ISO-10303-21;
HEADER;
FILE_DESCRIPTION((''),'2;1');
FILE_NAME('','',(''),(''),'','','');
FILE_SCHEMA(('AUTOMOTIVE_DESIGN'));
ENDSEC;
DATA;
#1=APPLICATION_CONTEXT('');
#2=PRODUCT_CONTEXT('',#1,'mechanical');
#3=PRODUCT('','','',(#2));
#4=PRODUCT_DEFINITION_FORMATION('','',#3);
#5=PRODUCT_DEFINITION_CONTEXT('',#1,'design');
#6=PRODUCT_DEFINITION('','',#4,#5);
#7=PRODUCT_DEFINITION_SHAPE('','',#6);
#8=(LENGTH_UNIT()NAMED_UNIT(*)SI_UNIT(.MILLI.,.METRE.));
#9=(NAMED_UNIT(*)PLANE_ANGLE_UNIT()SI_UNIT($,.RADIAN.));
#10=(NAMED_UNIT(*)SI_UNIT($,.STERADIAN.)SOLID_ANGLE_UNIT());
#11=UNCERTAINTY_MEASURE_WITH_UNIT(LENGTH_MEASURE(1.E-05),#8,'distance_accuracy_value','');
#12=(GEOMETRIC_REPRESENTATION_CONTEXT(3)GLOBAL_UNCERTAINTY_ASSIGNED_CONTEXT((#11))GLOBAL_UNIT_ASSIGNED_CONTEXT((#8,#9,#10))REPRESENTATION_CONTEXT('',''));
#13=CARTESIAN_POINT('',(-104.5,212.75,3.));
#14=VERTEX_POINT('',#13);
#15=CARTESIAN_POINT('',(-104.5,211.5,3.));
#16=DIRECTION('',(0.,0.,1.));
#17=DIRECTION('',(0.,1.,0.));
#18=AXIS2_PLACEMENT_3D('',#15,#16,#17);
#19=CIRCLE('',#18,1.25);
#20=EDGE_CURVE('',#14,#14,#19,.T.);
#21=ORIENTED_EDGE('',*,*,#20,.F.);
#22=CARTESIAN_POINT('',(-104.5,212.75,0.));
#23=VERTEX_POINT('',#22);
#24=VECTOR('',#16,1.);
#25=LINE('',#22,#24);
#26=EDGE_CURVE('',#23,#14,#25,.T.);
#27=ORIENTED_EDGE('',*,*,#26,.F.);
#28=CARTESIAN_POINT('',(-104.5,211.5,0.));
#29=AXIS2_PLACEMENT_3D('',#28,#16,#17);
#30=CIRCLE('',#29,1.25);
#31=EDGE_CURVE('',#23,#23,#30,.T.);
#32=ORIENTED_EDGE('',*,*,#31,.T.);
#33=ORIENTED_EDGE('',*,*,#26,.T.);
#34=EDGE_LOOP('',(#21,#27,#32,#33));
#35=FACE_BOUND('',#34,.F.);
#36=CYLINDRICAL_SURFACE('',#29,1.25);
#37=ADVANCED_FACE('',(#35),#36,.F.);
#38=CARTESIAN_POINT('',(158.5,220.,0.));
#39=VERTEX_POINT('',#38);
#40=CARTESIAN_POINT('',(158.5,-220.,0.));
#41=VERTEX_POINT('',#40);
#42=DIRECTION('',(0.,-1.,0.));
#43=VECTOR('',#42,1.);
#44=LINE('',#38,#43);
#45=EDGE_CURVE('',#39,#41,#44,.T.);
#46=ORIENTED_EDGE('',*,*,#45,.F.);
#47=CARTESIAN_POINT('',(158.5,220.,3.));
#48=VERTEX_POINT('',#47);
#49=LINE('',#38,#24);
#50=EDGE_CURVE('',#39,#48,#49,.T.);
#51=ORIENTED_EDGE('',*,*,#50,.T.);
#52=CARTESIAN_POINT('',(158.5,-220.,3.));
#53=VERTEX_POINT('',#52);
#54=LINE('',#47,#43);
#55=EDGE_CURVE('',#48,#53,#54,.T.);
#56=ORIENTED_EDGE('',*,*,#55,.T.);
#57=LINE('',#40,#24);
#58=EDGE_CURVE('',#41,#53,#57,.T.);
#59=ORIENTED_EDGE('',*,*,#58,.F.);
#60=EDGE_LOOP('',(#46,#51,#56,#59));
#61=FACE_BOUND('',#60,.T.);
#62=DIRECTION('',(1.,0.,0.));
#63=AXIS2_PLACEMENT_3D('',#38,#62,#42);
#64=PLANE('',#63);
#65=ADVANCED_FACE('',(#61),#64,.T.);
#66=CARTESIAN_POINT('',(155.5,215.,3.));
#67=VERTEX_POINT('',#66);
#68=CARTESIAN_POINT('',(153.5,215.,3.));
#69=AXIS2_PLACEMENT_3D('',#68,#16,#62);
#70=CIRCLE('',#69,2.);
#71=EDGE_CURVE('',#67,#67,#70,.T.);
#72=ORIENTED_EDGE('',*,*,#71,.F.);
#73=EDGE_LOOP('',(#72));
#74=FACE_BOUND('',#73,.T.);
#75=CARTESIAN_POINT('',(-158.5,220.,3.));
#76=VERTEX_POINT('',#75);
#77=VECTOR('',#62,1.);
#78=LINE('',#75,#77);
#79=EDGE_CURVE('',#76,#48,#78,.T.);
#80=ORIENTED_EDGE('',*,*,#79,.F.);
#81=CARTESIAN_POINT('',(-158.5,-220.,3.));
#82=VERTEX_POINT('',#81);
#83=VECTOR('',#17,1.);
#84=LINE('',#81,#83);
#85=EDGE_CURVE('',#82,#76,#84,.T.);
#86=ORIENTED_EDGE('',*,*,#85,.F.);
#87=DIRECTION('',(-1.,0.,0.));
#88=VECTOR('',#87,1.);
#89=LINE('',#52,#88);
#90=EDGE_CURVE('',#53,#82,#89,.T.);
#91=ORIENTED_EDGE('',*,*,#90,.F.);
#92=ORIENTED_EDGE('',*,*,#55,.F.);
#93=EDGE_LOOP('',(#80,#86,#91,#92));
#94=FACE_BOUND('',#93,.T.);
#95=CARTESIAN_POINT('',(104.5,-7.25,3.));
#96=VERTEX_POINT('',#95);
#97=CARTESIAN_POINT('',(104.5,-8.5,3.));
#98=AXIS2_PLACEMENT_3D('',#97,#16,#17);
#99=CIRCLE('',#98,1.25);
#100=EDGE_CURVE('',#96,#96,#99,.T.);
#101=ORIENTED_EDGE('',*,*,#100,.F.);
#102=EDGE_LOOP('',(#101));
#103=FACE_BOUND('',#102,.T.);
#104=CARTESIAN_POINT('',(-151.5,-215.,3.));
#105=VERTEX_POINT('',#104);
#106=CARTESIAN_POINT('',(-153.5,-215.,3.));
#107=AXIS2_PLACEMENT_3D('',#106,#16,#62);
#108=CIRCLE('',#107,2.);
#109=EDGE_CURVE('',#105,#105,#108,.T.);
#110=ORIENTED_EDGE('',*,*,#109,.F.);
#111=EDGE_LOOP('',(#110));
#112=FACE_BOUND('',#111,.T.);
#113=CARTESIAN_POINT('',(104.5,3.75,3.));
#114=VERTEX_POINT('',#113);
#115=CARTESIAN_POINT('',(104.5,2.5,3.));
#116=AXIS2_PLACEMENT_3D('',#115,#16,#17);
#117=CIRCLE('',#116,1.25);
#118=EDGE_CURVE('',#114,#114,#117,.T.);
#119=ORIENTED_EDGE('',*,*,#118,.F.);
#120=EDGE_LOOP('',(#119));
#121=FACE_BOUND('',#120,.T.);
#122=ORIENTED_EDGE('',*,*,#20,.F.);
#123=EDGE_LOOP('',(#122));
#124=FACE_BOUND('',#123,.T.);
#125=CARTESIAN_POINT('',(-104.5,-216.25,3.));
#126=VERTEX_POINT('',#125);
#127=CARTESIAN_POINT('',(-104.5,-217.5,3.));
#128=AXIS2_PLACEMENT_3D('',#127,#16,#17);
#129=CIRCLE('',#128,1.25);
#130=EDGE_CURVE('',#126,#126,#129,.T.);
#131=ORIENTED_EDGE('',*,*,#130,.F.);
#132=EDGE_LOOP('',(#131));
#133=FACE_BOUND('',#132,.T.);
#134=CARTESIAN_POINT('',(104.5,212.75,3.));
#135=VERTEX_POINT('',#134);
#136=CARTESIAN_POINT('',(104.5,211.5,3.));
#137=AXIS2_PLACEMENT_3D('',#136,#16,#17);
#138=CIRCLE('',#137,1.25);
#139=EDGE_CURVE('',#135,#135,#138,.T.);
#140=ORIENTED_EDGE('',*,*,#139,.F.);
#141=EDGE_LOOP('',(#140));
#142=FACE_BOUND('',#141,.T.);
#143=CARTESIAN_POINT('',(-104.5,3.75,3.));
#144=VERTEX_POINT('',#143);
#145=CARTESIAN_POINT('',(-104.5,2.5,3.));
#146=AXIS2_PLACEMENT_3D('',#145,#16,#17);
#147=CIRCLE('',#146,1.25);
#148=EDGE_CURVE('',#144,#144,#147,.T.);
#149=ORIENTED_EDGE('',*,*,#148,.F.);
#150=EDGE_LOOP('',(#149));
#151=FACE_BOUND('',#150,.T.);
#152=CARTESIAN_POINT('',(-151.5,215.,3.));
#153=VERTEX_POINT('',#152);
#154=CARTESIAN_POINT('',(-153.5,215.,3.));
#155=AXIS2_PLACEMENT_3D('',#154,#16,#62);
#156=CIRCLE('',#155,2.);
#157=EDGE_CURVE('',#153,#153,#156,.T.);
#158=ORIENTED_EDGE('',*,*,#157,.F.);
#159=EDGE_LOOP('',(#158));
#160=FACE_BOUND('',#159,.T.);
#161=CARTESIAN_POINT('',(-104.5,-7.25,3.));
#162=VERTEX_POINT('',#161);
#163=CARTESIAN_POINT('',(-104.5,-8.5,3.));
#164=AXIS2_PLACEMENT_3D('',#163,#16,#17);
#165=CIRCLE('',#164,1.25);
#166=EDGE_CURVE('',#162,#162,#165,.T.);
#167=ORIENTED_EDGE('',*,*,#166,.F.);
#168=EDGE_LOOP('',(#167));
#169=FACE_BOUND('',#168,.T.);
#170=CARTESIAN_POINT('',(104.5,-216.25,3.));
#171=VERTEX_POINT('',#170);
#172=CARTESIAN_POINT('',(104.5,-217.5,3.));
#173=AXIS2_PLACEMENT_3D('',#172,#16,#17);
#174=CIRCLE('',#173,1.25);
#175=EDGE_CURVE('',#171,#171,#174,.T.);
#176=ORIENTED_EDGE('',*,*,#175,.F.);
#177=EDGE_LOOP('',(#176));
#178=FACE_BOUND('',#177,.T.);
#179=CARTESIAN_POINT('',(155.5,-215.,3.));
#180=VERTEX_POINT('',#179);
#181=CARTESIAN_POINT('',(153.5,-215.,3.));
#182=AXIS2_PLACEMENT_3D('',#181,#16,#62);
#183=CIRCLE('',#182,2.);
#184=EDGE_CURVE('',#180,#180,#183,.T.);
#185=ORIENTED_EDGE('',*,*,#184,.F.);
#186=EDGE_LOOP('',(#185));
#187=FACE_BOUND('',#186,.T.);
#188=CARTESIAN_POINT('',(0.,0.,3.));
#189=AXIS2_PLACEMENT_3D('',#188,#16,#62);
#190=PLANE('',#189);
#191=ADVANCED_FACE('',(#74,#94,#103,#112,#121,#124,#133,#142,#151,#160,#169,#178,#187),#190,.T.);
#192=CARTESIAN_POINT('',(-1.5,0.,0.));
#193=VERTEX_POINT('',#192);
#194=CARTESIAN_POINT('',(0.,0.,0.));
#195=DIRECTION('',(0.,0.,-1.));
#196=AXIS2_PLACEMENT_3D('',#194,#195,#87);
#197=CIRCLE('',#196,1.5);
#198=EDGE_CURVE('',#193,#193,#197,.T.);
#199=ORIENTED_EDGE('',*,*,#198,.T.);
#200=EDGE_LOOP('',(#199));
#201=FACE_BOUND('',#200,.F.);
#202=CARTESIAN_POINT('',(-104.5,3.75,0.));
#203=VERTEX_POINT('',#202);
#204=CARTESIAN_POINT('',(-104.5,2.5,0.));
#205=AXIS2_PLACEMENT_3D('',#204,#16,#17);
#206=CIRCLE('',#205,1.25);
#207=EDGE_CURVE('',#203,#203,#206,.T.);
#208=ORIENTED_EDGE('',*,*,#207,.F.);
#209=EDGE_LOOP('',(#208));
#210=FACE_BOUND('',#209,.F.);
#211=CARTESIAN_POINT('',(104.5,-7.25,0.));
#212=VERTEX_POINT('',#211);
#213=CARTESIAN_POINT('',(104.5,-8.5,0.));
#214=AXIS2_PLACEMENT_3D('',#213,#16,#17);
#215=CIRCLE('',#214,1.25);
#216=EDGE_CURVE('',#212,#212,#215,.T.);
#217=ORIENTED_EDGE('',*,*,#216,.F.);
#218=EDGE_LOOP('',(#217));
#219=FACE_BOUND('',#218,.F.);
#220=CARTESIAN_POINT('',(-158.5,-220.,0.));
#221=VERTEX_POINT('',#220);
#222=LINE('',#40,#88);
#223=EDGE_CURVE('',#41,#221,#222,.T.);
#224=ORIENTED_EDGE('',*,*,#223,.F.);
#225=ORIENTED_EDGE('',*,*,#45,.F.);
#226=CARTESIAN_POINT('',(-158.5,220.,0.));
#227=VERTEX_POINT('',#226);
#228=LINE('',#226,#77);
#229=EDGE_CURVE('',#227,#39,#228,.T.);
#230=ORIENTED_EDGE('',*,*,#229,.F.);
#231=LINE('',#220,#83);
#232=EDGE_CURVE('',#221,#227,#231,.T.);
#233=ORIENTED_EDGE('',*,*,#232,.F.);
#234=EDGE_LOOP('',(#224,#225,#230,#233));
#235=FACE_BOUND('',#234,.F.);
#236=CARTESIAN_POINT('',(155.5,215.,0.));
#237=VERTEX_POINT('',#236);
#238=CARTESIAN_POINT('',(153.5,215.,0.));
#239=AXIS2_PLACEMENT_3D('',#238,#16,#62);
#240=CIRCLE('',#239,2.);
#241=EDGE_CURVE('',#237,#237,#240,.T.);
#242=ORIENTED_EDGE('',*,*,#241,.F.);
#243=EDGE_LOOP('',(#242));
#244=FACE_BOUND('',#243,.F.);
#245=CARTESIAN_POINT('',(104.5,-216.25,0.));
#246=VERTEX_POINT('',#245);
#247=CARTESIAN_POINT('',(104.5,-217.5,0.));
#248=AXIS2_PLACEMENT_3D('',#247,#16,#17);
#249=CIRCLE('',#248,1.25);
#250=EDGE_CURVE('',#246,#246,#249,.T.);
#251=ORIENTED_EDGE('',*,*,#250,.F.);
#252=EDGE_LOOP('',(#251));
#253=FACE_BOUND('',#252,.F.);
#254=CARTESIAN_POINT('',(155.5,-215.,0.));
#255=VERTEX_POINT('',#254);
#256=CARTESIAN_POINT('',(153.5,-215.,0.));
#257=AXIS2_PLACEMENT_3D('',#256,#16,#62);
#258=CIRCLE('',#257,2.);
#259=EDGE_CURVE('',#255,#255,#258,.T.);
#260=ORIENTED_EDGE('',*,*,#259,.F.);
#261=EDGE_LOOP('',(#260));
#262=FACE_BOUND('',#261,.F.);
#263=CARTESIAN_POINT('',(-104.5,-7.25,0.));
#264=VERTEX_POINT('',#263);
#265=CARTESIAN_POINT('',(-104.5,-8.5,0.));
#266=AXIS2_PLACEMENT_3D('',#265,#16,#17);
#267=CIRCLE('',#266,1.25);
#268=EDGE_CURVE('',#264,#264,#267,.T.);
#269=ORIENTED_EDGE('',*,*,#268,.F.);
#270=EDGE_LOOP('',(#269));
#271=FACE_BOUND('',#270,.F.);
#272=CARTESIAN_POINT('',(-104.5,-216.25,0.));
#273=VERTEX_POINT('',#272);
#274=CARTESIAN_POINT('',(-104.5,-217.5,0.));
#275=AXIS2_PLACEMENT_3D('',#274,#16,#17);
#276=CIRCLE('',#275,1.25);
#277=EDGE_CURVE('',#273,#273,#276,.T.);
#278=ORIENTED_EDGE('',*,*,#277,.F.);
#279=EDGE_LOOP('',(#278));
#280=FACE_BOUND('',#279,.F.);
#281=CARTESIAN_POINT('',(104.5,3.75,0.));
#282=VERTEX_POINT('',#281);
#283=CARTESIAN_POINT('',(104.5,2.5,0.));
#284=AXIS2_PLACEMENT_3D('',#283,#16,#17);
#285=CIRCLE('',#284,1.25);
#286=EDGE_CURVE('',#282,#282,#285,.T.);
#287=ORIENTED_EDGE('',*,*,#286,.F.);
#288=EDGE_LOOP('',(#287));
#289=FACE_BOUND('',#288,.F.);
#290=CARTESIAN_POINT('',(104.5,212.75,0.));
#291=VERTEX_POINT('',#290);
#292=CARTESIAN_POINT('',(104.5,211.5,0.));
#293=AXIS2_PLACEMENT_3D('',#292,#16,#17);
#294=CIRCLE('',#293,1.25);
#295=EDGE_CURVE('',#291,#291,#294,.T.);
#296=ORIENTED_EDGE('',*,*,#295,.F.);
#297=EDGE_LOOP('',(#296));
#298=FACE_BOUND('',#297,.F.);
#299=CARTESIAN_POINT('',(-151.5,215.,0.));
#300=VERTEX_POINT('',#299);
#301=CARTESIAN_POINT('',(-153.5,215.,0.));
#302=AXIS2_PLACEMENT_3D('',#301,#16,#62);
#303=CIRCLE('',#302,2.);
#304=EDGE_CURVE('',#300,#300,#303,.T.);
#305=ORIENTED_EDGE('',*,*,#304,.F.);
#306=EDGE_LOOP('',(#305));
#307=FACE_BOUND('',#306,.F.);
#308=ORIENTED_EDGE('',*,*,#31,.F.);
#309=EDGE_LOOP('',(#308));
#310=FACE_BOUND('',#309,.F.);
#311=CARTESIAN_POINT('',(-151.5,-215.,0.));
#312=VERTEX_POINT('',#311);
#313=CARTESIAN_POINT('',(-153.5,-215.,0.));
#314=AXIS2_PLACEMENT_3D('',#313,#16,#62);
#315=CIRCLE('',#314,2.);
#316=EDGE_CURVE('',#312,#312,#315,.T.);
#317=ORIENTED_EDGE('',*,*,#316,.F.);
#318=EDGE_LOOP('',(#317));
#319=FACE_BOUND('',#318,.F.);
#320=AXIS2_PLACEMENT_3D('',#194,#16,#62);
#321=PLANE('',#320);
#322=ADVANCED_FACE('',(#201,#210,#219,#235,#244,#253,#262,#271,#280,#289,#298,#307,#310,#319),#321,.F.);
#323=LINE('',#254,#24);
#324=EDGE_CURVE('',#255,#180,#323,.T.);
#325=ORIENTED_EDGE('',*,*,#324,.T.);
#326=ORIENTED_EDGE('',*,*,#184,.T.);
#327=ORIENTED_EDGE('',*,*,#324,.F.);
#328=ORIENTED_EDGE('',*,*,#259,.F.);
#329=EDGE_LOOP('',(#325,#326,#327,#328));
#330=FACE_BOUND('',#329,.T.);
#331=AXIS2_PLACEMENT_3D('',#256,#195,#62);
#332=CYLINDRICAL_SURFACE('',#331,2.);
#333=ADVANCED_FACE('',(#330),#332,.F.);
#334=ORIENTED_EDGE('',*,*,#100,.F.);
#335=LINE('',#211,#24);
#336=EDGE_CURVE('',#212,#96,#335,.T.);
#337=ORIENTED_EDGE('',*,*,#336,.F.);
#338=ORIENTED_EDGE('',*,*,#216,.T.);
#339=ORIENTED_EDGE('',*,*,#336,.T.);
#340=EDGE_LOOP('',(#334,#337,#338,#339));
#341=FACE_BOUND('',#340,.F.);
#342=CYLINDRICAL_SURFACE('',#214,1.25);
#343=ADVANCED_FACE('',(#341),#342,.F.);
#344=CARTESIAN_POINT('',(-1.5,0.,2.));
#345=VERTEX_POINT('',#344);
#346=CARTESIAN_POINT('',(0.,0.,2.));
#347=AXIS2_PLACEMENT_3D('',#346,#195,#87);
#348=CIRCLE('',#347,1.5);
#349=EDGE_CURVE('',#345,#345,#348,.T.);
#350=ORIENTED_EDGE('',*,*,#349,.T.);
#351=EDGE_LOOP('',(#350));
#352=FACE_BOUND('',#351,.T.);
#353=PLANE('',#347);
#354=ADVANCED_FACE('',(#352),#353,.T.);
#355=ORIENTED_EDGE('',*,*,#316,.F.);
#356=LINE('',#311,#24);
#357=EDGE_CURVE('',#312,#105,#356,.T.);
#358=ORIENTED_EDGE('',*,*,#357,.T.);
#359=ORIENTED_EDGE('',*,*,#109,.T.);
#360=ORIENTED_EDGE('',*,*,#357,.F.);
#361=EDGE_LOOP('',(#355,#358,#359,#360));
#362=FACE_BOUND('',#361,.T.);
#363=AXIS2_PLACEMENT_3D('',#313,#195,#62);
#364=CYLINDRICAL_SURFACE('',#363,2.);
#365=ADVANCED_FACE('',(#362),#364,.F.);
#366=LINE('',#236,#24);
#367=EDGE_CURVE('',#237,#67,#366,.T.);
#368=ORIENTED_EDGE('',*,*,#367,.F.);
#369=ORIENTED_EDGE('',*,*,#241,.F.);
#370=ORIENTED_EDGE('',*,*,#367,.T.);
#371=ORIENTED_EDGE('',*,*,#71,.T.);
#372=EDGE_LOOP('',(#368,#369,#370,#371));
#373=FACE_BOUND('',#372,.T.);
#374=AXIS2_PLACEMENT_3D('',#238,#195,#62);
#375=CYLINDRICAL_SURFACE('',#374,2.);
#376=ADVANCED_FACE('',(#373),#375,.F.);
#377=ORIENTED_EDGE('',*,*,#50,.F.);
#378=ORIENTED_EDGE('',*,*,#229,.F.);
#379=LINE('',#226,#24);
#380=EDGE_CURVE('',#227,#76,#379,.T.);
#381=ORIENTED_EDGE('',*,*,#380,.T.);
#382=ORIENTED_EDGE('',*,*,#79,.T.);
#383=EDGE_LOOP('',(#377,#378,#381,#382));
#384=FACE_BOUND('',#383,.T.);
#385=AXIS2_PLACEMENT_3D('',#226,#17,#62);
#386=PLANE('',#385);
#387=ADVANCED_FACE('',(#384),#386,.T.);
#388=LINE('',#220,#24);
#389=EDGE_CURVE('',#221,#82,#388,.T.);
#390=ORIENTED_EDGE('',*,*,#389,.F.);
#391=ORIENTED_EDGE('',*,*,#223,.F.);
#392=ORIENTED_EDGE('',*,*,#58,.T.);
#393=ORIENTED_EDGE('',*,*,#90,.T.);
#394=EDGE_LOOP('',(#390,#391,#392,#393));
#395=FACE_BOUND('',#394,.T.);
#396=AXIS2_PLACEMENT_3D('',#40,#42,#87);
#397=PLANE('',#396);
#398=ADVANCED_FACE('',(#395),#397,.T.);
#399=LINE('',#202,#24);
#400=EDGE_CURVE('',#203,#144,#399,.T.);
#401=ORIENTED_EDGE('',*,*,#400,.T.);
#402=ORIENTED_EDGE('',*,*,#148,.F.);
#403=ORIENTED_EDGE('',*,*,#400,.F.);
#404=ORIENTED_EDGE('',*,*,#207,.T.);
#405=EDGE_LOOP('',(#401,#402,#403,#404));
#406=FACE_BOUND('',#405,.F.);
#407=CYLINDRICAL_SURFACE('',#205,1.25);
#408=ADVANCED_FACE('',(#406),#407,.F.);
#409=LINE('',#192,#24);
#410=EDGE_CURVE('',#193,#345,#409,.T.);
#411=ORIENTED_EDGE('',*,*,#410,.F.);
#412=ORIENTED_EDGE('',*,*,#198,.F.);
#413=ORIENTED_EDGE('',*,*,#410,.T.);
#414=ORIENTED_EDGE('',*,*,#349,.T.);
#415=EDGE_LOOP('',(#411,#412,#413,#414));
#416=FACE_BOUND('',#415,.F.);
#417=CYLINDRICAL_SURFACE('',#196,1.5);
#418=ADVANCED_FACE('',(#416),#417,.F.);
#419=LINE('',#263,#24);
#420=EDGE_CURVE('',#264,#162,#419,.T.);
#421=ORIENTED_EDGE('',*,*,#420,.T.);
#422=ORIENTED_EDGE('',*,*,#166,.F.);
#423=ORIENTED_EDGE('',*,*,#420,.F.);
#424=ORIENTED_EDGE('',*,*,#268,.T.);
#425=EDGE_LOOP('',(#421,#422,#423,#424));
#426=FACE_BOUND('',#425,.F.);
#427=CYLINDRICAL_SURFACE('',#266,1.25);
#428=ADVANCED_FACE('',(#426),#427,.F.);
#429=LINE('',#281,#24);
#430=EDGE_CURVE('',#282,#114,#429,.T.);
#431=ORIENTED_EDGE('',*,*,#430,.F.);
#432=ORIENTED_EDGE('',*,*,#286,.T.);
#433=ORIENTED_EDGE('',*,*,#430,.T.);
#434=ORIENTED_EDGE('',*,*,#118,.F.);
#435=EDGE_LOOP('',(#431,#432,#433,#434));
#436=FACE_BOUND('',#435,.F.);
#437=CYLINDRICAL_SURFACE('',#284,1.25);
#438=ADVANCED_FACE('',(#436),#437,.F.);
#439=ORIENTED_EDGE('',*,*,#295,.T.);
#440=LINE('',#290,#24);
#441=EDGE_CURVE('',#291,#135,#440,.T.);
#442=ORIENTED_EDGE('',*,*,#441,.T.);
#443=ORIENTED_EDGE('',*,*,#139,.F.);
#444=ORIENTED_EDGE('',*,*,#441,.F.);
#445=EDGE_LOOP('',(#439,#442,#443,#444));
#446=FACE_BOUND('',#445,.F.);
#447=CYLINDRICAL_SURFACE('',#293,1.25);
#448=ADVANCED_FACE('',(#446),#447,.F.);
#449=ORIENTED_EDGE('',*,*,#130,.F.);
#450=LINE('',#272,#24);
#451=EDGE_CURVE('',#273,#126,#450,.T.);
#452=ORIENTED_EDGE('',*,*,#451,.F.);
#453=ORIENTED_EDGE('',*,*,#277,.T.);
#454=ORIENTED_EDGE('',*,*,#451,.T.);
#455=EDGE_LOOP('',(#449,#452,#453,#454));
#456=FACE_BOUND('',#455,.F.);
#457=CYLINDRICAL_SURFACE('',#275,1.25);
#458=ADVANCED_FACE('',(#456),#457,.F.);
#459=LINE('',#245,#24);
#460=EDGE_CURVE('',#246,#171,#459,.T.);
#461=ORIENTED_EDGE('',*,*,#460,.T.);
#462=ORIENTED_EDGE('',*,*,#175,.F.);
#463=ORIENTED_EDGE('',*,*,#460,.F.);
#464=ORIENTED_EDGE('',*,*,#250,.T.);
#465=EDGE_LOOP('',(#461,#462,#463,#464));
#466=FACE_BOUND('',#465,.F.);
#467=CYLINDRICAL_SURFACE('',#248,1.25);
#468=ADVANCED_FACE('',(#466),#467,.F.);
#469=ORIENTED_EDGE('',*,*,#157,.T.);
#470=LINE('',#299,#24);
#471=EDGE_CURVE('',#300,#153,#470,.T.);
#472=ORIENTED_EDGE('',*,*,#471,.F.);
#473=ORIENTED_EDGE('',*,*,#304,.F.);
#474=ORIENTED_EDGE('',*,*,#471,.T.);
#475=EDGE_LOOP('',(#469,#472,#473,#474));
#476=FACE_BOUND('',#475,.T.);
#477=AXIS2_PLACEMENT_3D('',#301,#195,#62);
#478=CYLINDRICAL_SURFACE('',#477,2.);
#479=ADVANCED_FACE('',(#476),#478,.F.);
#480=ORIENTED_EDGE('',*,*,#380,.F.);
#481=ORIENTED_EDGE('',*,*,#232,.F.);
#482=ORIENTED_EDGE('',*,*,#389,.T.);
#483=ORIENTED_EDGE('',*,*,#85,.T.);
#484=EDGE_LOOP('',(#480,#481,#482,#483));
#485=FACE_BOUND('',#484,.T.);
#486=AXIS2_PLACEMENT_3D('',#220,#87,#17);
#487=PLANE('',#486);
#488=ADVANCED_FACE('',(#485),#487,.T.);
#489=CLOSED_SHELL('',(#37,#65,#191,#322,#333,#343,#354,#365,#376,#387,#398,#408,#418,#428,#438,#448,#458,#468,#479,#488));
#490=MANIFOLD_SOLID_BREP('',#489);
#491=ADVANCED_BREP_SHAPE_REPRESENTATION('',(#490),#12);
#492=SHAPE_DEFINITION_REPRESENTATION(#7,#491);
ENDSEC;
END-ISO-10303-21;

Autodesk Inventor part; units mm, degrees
ref_plane "YZ Plane" through (0, 0, 0) normal (1, 0, 0) x (0, 1, 0)
ref_plane "XZ Plane" through (0, 0, 0) normal (0, 1, 0) x (-1, 0, 0)
ref_plane "XY Plane" through (0, 0, 0) normal (0, 0, 1) x (1, 0, 0)
sketch "Sketch1" plane through (0, 0, 0) normal (0, 0, 1) x (1, 0, 0)
  line L0 (-158.5, 220) -> (158.5, 220)
  line L1 (158.5, 220) -> (158.5, -220)
  line L2 (158.5, -220) -> (-158.5, -220)
  line L3 (-158.5, -220) -> (-158.5, 220)
  line L4 (-153.5, 215) -> (153.5, 215) construction
  line L5 (153.5, 215) -> (153.5, -215) construction
  line L6 (153.5, -215) -> (-153.5, -215) construction
  line L7 (-153.5, -215) -> (-153.5, 215) construction
  circle A0 centre (-153.5, 215) radius 2
  circle A1 centre (153.5, 215) radius 2
  circle A2 centre (153.5, -215) radius 2
  circle A3 centre (-153.5, -215) radius 2
  point P0 (0, 0)
  point P1 (0, 220)
  point P2 (-158.5, 0)
  point P3 (0, 215)
  point P4 (-153.5, 0)
  dimension "d0" = 440
  dimension "d1" = 317
  dimension "d3" = 5
  dimension "d4" = 5
  dimension "d5" = 4
extrude "Extrusion1" add sketch "Sketch1" along normal blind 3
sketch "Sketch2" plane through (0, 0, 0) normal (0, 0, -1) x (-1, 0, 0)
  circle A0 centre (0, 0) radius 1.5
  dimension "d8" = 3
extrude "Extrusion2" cut sketch "Sketch2" against normal blind 2
sketch "Sketch3" plane through (0, 0, 0) normal (0, 0, -1) x (-1, 0, 0)
  circle A0 centre (104.5, 211.5) radius 1.5 projected
  circle A1 centre (104.5, 2.5) radius 1.5 projected
  circle A2 centre (-104.5, 2.5) radius 1.5 projected
  circle A3 centre (-104.5, 211.5) radius 1.5 projected
  circle A4 centre (-104.5, -8.5) radius 1.5 projected
  circle A5 centre (-104.5, -217.5) radius 1.5 projected
  circle A6 centre (104.5, -217.5) radius 1.5 projected
  circle A7 centre (104.5, -8.5) radius 1.5 projected
  point P0 (0, 0)
  point P1 (-1.0607, -1.0607)
hole "Hole1" at (-104.5, 211.5, 0) at (-104.5, 2.5, 0) at (-104.5, -8.5, 0) at (104.5, -8.5, 0) at (104.5, 2.5, 0) at (104.5, 211.5, 0) at (-104.5, -217.5, 0) at (104.5, -217.5, 0) direction (0, 0, 1) diameter 2.5 end through all
properties part number "0008-10-017 Heated bed" material "Aluminum 6061"
